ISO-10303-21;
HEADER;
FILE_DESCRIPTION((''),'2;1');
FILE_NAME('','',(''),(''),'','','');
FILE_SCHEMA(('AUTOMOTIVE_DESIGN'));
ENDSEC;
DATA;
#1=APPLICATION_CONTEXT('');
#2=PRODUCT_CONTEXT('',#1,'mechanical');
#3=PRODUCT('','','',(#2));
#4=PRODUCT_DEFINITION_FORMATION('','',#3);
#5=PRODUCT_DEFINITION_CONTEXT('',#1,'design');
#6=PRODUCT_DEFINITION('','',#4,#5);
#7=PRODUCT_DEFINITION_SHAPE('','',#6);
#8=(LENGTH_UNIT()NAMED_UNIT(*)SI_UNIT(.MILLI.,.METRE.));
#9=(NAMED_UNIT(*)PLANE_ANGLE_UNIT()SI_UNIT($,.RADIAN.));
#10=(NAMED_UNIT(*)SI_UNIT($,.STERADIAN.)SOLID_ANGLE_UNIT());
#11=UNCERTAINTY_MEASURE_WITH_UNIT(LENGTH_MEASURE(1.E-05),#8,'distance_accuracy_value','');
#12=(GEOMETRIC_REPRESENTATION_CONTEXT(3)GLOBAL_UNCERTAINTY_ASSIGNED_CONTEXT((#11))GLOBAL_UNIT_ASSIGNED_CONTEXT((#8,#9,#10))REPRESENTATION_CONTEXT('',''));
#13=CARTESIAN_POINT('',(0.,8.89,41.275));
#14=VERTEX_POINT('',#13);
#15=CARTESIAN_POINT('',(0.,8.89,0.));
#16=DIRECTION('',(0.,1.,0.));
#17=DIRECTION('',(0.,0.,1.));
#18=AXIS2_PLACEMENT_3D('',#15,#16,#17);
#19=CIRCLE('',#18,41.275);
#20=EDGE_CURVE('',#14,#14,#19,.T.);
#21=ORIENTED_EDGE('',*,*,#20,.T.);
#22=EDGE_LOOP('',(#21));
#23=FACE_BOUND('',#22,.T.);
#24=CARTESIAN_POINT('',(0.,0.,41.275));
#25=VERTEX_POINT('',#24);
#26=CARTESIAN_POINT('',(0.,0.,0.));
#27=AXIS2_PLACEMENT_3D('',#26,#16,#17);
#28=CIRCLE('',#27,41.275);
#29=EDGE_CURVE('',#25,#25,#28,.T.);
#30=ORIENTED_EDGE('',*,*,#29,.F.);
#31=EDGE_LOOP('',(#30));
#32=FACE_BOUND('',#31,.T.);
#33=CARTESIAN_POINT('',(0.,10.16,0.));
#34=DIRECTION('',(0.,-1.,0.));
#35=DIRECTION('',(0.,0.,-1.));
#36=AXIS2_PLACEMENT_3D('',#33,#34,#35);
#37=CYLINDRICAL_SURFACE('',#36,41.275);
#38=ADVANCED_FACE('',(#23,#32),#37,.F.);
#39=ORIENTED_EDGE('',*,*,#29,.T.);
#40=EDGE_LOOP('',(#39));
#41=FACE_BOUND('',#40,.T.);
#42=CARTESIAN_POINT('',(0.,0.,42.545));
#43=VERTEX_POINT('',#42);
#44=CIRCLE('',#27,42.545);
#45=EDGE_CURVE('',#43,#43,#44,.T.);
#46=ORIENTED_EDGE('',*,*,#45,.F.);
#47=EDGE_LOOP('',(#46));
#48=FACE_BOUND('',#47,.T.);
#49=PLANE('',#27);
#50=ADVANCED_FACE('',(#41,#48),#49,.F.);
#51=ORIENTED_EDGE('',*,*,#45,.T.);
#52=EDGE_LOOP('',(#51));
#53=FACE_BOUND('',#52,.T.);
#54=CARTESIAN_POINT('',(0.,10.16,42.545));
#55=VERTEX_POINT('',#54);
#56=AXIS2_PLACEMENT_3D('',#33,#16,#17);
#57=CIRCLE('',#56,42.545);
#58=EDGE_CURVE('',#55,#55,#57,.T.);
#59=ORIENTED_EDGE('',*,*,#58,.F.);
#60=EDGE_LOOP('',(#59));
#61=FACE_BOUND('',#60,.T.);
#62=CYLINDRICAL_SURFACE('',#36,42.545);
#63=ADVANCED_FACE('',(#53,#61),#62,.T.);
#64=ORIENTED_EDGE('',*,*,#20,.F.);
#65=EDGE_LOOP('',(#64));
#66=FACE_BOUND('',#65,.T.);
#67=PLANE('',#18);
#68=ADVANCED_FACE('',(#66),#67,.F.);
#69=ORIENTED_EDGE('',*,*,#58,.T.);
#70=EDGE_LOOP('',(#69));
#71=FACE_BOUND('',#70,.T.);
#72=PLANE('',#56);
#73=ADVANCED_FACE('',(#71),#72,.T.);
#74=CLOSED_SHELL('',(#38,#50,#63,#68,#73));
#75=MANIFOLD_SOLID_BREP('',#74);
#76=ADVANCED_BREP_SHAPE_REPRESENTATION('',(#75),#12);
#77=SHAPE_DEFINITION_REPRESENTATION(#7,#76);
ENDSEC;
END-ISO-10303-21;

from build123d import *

# Parameters (mm, degrees)
SKETCH1_R           = 42.545
BOSS_EXTRUDE1_DEPTH = 10.16
SHELL1_T            = -1.27


with BuildPart() as part:
    # Sketch1 → Boss-Extrude1 (new body)
    with BuildSketch(Plane(origin=(0, 0, 0), x_dir=(1, 0, 0), z_dir=(0, 1, 0))):
        with Locations(Location((0, 0, 0), (0, 0, 270))):
            Circle(SKETCH1_R)
    extrude(amount=BOSS_EXTRUDE1_DEPTH)

    # Shell1
    shell1_openings = [part.faces().sort_by_distance(p)[0] for p in [
        (0, 0, 0),
    ]]
    offset(amount=SHELL1_T, openings=shell1_openings, kind=Kind.INTERSECTION)


solid = part.part
